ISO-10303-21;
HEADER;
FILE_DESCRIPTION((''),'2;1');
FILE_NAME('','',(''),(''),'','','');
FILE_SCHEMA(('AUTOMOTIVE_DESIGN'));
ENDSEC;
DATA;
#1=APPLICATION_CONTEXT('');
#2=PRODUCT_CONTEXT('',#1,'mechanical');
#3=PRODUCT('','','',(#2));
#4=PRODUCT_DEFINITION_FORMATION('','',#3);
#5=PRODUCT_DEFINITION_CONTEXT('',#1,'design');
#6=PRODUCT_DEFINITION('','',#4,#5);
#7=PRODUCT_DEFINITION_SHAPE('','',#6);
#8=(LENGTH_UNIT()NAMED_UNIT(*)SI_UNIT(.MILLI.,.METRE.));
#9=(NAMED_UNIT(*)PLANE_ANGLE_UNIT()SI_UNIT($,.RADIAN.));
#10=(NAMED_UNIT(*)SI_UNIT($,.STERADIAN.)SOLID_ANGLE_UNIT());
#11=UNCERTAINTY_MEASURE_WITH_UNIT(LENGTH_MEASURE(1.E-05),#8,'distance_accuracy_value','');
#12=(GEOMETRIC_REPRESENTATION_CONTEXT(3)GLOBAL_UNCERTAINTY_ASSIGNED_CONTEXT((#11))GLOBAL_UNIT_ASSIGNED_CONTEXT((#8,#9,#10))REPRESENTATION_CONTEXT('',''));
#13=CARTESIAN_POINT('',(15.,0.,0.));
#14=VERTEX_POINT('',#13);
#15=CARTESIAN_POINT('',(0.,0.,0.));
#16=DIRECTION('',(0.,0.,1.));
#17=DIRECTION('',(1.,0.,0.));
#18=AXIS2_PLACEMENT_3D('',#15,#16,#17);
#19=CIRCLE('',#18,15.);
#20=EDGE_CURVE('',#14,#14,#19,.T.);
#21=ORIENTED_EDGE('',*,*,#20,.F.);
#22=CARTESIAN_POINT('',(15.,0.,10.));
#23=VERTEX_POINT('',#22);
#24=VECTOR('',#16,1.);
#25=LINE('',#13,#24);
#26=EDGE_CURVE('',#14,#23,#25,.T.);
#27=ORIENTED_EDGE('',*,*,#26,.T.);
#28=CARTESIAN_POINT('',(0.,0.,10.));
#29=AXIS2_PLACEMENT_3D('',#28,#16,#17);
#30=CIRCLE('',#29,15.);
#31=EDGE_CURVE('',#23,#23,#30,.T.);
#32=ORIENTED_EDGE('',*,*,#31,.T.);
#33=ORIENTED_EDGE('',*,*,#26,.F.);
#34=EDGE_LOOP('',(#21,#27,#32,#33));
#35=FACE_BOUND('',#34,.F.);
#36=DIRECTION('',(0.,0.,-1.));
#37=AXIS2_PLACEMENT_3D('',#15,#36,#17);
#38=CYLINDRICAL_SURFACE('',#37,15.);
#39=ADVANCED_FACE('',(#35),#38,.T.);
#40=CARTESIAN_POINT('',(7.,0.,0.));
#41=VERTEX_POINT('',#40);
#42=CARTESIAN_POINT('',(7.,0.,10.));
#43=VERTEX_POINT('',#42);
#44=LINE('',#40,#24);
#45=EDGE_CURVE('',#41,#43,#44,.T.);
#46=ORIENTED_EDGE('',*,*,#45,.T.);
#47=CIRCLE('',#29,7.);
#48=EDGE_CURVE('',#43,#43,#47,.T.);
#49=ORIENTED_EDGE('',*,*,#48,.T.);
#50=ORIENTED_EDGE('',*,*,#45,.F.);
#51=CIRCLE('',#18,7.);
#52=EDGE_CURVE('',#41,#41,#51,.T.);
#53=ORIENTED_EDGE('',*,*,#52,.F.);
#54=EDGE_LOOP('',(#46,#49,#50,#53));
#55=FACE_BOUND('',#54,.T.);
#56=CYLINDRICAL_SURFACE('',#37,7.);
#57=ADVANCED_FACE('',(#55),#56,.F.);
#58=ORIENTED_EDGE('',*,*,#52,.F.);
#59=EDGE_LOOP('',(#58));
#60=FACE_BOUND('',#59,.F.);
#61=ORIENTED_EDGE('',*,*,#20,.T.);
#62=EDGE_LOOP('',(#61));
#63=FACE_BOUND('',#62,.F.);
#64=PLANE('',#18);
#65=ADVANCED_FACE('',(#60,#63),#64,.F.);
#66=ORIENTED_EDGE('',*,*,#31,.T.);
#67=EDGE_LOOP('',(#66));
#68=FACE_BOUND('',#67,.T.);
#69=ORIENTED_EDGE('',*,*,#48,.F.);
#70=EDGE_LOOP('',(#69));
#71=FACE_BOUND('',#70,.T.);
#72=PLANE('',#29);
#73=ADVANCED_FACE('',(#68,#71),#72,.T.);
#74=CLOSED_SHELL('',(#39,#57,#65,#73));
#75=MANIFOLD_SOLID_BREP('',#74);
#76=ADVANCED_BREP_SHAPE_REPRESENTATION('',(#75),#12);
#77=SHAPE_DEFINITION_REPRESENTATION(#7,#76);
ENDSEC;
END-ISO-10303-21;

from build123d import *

# Parameters (mm, degrees)
SKETCH_R   = 15
SKETCH_R_2 = 7
PAD_DEPTH  = 10


with BuildPart() as part:
    # Sketch → Pad (new body)
    with BuildSketch(Plane.XY):
        Circle(SKETCH_R)
        Circle(SKETCH_R_2, mode=Mode.SUBTRACT)
    extrude(amount=PAD_DEPTH)


solid = part.part
